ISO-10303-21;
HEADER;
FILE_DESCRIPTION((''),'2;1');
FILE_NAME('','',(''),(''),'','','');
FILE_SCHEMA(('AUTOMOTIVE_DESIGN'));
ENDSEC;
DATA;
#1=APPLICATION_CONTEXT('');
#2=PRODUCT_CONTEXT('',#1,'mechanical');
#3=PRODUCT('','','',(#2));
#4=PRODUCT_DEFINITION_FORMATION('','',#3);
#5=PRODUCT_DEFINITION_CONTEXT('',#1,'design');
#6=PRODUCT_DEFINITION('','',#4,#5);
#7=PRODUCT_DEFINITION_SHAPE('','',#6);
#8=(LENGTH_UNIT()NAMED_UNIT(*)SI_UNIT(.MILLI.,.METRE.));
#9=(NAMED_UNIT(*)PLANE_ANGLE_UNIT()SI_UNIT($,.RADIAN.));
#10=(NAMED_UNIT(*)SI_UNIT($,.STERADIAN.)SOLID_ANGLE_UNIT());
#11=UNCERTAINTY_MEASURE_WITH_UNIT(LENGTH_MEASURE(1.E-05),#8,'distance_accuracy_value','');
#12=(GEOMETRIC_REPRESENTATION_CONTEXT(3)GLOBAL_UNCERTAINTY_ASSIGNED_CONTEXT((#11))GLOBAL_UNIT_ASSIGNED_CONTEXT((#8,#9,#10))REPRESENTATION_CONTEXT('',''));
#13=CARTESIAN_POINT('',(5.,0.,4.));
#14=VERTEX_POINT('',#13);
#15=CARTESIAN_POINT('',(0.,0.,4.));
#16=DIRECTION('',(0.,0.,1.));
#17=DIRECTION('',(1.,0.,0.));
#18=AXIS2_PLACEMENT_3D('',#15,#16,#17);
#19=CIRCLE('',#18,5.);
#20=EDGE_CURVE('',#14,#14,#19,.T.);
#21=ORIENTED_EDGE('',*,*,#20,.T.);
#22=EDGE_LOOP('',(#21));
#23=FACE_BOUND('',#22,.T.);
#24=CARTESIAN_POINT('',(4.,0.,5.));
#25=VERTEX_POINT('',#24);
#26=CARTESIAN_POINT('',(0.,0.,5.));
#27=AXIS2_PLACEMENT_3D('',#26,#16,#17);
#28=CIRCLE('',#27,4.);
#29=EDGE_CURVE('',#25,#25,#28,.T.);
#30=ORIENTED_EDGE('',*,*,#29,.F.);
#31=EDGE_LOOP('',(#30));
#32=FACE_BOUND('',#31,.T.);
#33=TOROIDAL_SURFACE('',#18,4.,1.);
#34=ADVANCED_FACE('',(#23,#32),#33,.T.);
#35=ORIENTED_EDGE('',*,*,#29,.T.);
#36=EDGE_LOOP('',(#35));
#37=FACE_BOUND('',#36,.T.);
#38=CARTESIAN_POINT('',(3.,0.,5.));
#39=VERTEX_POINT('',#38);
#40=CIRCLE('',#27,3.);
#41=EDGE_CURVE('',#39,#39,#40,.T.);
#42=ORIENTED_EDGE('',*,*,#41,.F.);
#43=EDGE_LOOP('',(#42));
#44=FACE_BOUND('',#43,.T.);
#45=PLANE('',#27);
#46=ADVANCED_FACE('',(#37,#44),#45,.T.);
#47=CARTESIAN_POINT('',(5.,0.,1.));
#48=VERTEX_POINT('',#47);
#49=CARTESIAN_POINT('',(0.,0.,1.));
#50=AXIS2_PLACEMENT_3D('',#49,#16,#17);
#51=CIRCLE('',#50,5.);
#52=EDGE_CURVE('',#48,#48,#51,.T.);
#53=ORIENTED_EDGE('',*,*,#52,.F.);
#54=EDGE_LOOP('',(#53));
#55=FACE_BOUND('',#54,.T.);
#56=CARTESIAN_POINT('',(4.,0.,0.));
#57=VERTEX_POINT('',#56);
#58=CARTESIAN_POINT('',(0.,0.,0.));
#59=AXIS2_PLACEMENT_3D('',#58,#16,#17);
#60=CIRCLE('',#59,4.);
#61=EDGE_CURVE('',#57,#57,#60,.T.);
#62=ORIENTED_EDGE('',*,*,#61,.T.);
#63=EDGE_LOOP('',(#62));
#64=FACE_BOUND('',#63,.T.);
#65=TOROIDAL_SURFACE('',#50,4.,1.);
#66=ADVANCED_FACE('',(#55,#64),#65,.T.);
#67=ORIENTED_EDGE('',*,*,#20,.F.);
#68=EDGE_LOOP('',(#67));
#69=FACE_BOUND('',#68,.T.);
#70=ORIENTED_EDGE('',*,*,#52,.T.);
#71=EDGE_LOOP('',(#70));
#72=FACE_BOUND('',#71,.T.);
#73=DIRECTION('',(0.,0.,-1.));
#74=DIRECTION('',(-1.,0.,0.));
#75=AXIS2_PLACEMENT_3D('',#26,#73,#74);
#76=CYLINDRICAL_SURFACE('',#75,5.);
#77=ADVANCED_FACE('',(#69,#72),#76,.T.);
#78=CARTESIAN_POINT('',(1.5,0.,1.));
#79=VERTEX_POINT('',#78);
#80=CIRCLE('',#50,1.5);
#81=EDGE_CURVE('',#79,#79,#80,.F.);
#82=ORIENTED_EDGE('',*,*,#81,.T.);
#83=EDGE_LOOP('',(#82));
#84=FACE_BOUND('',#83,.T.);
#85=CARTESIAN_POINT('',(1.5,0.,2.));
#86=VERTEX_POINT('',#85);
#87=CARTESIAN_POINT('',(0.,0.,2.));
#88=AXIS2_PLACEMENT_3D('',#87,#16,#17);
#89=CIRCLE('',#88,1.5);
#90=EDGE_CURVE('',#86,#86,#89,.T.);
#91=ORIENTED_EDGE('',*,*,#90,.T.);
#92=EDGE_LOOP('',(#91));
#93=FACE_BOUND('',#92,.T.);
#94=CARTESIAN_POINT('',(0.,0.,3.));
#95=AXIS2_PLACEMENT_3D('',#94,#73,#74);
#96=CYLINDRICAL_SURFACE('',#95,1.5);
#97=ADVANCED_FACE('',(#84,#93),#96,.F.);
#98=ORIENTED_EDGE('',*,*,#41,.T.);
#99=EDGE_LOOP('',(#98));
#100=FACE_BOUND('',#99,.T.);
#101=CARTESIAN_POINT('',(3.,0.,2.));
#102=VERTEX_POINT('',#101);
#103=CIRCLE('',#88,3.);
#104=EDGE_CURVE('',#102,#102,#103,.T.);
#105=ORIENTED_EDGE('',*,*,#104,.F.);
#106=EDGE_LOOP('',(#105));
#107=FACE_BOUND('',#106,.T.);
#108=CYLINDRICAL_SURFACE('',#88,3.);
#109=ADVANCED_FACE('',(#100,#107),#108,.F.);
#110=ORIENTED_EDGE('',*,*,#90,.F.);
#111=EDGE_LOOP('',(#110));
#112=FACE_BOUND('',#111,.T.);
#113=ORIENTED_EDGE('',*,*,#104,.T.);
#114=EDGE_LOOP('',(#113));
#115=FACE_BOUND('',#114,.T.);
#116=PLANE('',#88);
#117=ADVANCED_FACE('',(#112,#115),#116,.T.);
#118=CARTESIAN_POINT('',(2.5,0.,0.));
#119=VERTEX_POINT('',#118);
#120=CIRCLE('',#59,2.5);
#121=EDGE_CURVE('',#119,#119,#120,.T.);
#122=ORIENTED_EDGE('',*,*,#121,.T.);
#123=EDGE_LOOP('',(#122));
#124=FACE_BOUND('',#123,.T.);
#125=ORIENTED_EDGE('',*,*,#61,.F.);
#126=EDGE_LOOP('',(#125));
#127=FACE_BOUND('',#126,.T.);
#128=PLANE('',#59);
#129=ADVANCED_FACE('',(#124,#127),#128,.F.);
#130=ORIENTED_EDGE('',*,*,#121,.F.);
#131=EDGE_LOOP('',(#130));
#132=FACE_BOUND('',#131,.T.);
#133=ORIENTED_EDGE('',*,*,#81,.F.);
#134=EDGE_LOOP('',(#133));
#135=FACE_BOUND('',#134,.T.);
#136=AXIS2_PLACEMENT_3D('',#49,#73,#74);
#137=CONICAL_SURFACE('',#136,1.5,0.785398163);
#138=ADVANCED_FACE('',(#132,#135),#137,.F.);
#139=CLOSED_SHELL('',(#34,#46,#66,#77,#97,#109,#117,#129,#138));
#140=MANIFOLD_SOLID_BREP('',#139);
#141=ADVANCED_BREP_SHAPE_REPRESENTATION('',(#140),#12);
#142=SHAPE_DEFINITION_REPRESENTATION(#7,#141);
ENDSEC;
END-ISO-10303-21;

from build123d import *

# Parameters (mm, degrees)
ESQUISSE1_R             = 5
BOSS_EXTRU_1_DEPTH      = 5
ESQUISSE2_R             = 3
ENL_V_MAT_EXTRU_1_DEPTH = 3
ESQUISSE9_R             = 1.5
ENL_V_MAT_EXTRU_2_DEPTH = 3
CHANFREIN1_SIZE         = 1


with BuildPart() as part:
    # Esquisse1 → Boss.-Extru.1 (new body)
    with BuildSketch(Plane.XY):
        Circle(ESQUISSE1_R)
    extrude(amount=BOSS_EXTRU_1_DEPTH)

    # Esquisse2 → Enlèv. mat.-Extru.1 (cut)
    with BuildSketch(Plane.XY.offset(5)):
        Circle(ESQUISSE2_R)
    extrude(amount=-ENL_V_MAT_EXTRU_1_DEPTH, mode=Mode.SUBTRACT)

    # Esquisse3 → Enlèvement de matière-Révolution1 (revolve, cut)
    with BuildSketch(Plane(origin=(0, 0, 0), x_dir=(0, 0, -1), z_dir=(1, 0, 0)), mode=Mode.PRIVATE) as enl_vement_de_mati_re_r_volution1_sk:
        with BuildLine():
            Line((0, 5), (-1, 5))
            ThreePointArc((-1, 5), (-0.292893219, 4.707106781), (0, 4))
            Line((0, 4), (0, 5))
        make_face()
        with BuildLine():
            Line((-4, 5), (-5, 5))
            Line((-5, 5), (-5, 4))
            ThreePointArc((-5, 4), (-4.707106781, 4.707106781), (-4, 5))
        make_face()
    revolve(enl_vement_de_mati_re_r_volution1_sk.sketch.rotate(Axis((0, 0, 5), (0, 0, -1)), 90), axis=Axis((0, 0, 5), (0, 0, -1)), mode=Mode.SUBTRACT)

    # Esquisse9 → Enlèv. mat.-Extru.2 (cut)
    with BuildSketch(Plane(origin=(0, 0, 0), x_dir=(-1, 0, 0), z_dir=(0, 0, -1))):
        Circle(ESQUISSE9_R)
    extrude(amount=-ENL_V_MAT_EXTRU_2_DEPTH, mode=Mode.SUBTRACT)

    # Chanfrein1
    chanfrein1_edges = [part.edges().sort_by_distance(p)[0] for p in [
        (1.5, 0, 0),
    ]]
    chamfer(chanfrein1_edges, length=CHANFREIN1_SIZE)


solid = part.part
